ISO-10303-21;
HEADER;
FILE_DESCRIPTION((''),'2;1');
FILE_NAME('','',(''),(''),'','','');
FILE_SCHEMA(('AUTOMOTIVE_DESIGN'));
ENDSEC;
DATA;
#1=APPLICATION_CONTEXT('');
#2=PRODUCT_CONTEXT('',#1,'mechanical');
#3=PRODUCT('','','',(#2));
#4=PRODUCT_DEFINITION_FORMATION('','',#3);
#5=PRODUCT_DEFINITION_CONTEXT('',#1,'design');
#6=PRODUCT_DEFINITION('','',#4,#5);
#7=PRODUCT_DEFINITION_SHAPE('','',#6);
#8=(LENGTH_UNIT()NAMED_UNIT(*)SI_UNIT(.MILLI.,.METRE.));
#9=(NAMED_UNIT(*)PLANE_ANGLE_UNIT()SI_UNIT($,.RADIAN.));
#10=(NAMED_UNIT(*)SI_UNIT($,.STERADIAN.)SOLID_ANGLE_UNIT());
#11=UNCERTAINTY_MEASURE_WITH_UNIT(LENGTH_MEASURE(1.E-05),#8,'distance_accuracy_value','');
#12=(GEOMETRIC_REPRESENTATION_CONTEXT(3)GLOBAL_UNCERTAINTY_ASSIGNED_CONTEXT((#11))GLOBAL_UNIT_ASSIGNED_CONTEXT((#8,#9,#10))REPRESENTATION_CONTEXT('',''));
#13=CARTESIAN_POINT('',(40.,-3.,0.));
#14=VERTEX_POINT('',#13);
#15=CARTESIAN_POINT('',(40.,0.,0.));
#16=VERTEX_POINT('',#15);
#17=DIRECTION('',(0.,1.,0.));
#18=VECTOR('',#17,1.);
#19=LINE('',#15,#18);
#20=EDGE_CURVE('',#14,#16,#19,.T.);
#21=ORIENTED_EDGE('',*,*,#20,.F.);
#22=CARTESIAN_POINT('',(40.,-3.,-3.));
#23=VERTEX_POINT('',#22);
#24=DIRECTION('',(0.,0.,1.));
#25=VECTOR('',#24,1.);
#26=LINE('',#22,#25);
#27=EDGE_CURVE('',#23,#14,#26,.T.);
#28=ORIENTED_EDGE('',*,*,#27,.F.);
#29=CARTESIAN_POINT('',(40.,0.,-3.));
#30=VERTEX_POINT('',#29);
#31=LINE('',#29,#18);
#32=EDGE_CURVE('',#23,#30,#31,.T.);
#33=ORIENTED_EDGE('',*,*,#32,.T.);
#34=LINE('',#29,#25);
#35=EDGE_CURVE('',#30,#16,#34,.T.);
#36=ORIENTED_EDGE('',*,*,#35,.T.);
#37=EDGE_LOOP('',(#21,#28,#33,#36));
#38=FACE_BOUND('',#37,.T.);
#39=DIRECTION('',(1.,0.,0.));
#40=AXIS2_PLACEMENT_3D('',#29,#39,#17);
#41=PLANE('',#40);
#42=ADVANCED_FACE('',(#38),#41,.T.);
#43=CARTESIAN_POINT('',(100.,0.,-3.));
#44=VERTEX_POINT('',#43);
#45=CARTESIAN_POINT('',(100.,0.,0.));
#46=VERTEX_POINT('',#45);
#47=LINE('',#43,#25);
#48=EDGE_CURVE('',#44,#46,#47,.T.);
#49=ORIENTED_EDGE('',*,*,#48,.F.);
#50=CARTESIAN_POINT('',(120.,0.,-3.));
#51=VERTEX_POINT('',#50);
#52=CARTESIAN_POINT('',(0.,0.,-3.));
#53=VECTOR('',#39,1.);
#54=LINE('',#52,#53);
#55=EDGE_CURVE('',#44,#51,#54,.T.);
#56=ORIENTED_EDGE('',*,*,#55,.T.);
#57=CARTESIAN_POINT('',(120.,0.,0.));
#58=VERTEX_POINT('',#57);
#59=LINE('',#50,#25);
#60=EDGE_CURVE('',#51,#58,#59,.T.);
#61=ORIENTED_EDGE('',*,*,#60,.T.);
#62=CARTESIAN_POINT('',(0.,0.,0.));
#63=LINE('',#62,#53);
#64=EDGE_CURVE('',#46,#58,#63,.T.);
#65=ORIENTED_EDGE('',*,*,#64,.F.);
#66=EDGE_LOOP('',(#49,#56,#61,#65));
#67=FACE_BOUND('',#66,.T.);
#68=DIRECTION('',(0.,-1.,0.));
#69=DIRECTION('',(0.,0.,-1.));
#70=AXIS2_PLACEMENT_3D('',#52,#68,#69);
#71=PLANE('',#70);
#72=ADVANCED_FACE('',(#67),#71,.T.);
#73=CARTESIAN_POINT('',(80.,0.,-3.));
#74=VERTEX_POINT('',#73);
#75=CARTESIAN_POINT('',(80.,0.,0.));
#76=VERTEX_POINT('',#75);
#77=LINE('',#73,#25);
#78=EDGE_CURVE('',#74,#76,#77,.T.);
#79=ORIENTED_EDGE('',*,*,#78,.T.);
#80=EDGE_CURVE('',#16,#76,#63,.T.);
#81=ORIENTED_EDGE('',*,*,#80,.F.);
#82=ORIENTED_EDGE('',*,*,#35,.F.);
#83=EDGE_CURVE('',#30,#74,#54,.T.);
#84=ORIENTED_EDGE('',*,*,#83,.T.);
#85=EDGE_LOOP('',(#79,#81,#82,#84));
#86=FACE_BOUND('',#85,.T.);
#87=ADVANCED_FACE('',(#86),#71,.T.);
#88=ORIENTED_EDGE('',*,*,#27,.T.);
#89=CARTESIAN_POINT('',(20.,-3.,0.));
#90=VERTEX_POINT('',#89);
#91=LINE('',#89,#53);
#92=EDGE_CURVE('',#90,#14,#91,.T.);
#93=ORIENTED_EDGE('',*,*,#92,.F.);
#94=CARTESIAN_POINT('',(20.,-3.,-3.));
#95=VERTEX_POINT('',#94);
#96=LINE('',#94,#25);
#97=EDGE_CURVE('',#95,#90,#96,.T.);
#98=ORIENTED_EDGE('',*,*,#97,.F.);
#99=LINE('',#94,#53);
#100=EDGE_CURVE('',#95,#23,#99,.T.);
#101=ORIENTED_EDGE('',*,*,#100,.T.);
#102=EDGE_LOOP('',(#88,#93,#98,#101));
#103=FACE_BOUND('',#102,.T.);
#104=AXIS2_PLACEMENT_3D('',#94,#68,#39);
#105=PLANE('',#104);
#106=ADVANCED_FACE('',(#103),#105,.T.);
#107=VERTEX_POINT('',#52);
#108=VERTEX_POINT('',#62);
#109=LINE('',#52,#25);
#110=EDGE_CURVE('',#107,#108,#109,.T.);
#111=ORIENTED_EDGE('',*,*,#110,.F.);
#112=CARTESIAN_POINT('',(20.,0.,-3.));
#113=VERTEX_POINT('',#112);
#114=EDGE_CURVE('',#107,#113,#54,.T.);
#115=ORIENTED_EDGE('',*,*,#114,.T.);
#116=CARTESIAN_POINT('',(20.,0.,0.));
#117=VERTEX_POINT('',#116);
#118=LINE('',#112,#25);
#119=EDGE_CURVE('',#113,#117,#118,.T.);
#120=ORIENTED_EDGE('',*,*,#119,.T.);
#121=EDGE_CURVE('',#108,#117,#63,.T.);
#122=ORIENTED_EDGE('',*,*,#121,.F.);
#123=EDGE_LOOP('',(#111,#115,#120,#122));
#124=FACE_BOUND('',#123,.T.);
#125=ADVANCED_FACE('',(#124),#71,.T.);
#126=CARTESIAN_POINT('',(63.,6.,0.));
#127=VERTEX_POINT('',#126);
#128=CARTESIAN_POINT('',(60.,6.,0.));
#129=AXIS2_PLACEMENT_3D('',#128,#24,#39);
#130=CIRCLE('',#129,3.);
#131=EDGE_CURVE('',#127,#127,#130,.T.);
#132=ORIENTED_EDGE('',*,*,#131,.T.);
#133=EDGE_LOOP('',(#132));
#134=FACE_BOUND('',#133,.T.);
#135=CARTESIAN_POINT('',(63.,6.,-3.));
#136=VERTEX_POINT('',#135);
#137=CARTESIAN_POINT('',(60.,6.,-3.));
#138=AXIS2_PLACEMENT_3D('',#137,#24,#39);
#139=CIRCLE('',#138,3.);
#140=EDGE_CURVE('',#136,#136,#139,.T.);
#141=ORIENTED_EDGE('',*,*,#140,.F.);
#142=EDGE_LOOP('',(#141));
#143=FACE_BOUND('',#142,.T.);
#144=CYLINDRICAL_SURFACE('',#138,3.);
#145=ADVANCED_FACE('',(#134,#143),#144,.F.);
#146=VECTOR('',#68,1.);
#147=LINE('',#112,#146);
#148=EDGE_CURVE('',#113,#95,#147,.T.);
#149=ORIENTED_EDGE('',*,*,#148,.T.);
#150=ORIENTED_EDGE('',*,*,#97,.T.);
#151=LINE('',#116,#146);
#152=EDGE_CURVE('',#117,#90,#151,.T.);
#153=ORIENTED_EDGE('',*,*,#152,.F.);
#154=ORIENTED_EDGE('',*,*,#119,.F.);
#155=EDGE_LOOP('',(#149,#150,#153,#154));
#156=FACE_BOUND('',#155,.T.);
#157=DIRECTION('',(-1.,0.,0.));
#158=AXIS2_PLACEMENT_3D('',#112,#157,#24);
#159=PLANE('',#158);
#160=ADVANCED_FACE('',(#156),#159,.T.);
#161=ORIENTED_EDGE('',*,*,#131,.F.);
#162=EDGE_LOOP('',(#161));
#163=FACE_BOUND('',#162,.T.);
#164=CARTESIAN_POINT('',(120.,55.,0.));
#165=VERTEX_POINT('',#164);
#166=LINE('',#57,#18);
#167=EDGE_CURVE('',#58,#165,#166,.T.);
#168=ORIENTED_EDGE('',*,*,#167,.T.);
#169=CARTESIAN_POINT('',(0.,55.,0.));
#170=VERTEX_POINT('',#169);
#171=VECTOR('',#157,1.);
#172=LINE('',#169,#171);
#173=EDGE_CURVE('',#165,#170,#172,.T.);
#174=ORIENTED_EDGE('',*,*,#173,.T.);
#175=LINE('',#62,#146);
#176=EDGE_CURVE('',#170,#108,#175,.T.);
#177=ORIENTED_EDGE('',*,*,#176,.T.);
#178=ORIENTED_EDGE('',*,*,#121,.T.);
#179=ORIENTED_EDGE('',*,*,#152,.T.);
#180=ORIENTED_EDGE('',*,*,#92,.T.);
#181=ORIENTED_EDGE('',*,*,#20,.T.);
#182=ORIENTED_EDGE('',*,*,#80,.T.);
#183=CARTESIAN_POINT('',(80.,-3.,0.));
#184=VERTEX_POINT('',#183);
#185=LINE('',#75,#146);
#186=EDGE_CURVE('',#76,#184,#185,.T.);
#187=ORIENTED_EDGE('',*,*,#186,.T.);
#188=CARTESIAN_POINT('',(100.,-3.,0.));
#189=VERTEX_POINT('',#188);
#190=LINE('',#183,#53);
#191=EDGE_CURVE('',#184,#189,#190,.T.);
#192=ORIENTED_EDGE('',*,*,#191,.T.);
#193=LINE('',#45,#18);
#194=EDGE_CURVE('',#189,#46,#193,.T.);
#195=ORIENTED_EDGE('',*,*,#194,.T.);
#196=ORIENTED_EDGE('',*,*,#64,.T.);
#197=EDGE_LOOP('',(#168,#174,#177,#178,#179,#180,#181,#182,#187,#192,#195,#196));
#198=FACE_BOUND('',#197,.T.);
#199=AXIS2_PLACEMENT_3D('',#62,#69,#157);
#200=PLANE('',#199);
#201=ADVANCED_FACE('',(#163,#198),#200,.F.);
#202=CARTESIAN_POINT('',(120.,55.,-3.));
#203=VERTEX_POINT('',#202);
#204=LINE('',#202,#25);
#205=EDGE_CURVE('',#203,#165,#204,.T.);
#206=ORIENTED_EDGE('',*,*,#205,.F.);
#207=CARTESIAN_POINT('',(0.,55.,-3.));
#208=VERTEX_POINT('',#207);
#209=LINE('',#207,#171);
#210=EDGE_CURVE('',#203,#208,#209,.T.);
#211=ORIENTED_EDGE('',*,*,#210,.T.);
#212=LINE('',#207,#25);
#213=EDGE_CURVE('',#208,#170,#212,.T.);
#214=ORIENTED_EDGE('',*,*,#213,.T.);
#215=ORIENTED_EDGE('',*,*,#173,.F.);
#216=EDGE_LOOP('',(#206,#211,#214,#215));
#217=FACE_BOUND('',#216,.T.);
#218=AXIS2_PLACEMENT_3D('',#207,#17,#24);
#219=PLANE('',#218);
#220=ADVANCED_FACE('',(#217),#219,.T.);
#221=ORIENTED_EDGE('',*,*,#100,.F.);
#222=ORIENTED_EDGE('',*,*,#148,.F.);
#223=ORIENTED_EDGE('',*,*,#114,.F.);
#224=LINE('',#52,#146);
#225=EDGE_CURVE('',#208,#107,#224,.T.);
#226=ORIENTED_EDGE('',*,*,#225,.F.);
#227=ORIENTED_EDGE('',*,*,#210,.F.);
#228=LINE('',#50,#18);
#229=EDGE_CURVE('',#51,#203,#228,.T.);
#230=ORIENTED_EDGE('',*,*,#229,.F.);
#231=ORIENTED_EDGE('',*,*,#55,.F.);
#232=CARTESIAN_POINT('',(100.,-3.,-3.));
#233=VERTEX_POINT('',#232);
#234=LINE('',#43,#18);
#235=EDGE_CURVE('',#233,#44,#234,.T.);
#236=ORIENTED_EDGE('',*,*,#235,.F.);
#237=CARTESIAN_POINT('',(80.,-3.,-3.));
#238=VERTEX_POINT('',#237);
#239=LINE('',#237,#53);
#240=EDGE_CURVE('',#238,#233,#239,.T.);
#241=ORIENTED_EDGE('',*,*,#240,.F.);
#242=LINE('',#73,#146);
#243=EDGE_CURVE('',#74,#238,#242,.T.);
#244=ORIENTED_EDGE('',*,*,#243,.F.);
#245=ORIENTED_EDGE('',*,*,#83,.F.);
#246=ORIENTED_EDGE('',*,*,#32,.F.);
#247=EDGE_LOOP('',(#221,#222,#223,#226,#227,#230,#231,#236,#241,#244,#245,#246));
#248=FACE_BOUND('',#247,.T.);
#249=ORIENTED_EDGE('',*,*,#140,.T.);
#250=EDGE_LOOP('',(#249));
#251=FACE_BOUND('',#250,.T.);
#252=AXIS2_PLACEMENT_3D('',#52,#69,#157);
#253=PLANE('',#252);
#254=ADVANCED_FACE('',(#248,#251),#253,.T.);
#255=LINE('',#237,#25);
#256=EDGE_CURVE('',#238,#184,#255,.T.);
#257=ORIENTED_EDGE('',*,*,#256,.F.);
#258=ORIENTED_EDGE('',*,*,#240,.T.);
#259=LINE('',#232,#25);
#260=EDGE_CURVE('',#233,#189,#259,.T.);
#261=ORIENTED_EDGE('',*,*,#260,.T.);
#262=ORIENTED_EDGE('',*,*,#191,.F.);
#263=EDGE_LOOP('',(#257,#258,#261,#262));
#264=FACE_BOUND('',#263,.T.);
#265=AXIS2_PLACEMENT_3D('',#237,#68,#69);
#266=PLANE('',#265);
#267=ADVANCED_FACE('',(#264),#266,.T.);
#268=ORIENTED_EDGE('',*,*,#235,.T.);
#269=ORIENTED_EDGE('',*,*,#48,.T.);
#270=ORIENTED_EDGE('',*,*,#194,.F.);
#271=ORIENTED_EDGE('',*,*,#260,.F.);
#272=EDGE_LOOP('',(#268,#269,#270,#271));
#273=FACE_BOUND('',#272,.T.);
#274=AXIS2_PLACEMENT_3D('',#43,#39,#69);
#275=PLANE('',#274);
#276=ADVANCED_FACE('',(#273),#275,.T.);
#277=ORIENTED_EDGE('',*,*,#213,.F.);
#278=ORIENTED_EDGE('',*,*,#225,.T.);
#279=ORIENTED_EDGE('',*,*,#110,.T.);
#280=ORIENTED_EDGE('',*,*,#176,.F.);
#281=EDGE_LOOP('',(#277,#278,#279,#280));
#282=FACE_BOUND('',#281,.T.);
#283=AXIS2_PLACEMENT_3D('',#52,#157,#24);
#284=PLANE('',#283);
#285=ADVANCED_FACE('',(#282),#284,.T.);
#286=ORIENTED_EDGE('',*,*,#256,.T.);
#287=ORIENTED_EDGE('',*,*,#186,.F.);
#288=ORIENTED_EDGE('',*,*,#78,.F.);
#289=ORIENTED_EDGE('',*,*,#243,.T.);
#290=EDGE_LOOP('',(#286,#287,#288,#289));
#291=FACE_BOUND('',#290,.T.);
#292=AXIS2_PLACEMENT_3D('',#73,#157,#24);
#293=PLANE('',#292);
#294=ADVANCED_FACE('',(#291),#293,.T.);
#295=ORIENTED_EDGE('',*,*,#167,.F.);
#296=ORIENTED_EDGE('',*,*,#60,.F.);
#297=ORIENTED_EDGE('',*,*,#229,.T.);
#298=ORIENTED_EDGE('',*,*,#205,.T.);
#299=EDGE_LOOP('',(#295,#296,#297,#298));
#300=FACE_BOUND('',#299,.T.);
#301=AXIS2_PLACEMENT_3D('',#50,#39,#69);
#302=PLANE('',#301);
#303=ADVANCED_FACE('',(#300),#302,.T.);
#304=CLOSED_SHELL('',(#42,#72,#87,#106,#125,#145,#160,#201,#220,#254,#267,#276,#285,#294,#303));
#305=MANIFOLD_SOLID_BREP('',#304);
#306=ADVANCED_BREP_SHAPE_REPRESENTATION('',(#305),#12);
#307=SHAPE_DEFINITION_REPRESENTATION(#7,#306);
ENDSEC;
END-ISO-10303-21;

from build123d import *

# Parameters (mm, degrees)
SKETCH1_W           = 120
SKETCH1_H           = 55
SKETCH1_R           = 3
BOSS_EXTRUDE1_DEPTH = 3
SKETCH2_W           = 20
SKETCH2_H           = 3
BOSS_EXTRUDE2_DEPTH = 3


with BuildPart() as part:
    # Sketch1 → Boss-Extrude1 (new body)
    with BuildSketch(Plane.XY):
        with Locations((60, 27.5)):
            Rectangle(SKETCH1_W, SKETCH1_H)
        with Locations((60, 6)):
            Circle(SKETCH1_R, mode=Mode.SUBTRACT)
    extrude(amount=-BOSS_EXTRUDE1_DEPTH)

    # Sketch2 → Boss-Extrude2 (add)
    with BuildSketch(Plane.XY):
        with Locations((30, -1.5)):
            Rectangle(SKETCH2_W, SKETCH2_H)
        with Locations((90, -1.5)):
            Rectangle(SKETCH2_W, SKETCH2_H)
    extrude(amount=-BOSS_EXTRUDE2_DEPTH)


solid = part.part
